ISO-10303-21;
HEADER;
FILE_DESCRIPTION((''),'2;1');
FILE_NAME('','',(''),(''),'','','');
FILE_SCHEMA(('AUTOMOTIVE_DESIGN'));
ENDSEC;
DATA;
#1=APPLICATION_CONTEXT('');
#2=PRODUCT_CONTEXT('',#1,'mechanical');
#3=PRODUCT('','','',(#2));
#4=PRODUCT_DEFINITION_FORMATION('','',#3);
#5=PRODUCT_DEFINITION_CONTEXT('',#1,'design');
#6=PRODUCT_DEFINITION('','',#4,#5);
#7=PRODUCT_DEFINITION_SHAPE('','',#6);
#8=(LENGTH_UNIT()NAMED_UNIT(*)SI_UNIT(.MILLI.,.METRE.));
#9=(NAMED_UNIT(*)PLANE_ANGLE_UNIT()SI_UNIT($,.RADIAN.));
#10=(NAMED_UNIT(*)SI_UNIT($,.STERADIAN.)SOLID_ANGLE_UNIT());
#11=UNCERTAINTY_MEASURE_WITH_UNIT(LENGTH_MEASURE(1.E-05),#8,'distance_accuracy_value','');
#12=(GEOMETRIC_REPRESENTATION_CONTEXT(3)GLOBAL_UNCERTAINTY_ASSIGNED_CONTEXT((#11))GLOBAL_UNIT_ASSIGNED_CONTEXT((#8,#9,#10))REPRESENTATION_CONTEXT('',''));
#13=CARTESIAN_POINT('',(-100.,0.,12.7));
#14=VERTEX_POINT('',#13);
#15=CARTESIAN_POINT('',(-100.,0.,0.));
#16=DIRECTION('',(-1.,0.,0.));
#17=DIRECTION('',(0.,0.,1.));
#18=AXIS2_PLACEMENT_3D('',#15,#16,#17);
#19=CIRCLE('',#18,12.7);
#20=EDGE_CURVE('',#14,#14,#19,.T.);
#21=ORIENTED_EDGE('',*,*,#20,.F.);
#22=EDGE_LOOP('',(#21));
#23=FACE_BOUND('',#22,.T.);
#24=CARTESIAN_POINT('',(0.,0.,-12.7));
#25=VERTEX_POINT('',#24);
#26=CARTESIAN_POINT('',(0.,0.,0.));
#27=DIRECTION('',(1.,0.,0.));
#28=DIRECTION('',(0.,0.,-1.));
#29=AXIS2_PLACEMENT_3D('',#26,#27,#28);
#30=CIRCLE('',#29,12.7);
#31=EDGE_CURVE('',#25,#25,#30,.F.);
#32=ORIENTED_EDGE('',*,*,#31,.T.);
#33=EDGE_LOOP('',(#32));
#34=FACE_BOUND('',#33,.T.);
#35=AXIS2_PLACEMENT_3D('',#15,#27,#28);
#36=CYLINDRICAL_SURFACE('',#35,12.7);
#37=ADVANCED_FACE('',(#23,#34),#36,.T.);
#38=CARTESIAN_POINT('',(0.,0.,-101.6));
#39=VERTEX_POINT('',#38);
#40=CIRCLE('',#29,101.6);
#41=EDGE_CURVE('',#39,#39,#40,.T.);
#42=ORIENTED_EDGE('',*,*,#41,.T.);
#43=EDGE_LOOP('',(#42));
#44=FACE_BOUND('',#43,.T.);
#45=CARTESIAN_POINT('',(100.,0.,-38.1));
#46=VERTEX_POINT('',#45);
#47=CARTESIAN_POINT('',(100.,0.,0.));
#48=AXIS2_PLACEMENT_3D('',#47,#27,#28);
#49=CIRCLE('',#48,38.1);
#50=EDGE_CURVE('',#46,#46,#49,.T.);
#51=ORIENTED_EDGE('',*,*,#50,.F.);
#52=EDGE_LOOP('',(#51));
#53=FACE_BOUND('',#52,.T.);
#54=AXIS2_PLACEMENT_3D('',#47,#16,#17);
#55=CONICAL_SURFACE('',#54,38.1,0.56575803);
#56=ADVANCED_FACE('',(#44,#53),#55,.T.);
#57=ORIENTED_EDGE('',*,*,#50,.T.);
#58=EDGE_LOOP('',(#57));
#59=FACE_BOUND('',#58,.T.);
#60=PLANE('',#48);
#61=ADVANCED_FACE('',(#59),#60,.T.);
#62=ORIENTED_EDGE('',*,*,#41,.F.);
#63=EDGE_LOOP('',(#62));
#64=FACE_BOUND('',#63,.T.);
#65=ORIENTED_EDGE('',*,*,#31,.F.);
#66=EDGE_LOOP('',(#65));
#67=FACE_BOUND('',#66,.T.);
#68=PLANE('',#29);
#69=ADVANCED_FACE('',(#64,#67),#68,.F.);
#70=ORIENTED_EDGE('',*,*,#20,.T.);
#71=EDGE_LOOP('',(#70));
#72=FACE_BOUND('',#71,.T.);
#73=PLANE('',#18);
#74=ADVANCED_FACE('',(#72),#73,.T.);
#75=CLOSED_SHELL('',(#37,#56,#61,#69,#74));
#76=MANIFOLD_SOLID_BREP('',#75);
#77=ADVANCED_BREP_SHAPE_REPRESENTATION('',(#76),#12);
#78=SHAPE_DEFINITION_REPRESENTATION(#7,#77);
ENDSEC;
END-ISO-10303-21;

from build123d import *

# Parameters (mm, degrees)
SKETCH2_R           = 101.6
SKETCH3_R           = 38.1
SKETCH4_R           = 12.7
BOSS_EXTRUDE1_DEPTH = 100


with BuildPart() as part:
    # Sketch2 → Loft1 section 0
    with BuildSketch(Plane.YZ):
        Circle(SKETCH2_R)
    # Sketch3 → Loft1 section 1
    with BuildSketch(Plane.YZ.offset(100)):
        Circle(SKETCH3_R)
    loft()

    # Sketch4 → Boss-Extrude1 (add)
    with BuildSketch(Plane(origin=(0, 0, 0), x_dir=(0, -1, 0), z_dir=(-1, 0, 0))):
        with Locations(Location((0, 0, 0), (0, 0, 270))):
            Circle(SKETCH4_R)
    extrude(amount=BOSS_EXTRUDE1_DEPTH)


solid = part.part
